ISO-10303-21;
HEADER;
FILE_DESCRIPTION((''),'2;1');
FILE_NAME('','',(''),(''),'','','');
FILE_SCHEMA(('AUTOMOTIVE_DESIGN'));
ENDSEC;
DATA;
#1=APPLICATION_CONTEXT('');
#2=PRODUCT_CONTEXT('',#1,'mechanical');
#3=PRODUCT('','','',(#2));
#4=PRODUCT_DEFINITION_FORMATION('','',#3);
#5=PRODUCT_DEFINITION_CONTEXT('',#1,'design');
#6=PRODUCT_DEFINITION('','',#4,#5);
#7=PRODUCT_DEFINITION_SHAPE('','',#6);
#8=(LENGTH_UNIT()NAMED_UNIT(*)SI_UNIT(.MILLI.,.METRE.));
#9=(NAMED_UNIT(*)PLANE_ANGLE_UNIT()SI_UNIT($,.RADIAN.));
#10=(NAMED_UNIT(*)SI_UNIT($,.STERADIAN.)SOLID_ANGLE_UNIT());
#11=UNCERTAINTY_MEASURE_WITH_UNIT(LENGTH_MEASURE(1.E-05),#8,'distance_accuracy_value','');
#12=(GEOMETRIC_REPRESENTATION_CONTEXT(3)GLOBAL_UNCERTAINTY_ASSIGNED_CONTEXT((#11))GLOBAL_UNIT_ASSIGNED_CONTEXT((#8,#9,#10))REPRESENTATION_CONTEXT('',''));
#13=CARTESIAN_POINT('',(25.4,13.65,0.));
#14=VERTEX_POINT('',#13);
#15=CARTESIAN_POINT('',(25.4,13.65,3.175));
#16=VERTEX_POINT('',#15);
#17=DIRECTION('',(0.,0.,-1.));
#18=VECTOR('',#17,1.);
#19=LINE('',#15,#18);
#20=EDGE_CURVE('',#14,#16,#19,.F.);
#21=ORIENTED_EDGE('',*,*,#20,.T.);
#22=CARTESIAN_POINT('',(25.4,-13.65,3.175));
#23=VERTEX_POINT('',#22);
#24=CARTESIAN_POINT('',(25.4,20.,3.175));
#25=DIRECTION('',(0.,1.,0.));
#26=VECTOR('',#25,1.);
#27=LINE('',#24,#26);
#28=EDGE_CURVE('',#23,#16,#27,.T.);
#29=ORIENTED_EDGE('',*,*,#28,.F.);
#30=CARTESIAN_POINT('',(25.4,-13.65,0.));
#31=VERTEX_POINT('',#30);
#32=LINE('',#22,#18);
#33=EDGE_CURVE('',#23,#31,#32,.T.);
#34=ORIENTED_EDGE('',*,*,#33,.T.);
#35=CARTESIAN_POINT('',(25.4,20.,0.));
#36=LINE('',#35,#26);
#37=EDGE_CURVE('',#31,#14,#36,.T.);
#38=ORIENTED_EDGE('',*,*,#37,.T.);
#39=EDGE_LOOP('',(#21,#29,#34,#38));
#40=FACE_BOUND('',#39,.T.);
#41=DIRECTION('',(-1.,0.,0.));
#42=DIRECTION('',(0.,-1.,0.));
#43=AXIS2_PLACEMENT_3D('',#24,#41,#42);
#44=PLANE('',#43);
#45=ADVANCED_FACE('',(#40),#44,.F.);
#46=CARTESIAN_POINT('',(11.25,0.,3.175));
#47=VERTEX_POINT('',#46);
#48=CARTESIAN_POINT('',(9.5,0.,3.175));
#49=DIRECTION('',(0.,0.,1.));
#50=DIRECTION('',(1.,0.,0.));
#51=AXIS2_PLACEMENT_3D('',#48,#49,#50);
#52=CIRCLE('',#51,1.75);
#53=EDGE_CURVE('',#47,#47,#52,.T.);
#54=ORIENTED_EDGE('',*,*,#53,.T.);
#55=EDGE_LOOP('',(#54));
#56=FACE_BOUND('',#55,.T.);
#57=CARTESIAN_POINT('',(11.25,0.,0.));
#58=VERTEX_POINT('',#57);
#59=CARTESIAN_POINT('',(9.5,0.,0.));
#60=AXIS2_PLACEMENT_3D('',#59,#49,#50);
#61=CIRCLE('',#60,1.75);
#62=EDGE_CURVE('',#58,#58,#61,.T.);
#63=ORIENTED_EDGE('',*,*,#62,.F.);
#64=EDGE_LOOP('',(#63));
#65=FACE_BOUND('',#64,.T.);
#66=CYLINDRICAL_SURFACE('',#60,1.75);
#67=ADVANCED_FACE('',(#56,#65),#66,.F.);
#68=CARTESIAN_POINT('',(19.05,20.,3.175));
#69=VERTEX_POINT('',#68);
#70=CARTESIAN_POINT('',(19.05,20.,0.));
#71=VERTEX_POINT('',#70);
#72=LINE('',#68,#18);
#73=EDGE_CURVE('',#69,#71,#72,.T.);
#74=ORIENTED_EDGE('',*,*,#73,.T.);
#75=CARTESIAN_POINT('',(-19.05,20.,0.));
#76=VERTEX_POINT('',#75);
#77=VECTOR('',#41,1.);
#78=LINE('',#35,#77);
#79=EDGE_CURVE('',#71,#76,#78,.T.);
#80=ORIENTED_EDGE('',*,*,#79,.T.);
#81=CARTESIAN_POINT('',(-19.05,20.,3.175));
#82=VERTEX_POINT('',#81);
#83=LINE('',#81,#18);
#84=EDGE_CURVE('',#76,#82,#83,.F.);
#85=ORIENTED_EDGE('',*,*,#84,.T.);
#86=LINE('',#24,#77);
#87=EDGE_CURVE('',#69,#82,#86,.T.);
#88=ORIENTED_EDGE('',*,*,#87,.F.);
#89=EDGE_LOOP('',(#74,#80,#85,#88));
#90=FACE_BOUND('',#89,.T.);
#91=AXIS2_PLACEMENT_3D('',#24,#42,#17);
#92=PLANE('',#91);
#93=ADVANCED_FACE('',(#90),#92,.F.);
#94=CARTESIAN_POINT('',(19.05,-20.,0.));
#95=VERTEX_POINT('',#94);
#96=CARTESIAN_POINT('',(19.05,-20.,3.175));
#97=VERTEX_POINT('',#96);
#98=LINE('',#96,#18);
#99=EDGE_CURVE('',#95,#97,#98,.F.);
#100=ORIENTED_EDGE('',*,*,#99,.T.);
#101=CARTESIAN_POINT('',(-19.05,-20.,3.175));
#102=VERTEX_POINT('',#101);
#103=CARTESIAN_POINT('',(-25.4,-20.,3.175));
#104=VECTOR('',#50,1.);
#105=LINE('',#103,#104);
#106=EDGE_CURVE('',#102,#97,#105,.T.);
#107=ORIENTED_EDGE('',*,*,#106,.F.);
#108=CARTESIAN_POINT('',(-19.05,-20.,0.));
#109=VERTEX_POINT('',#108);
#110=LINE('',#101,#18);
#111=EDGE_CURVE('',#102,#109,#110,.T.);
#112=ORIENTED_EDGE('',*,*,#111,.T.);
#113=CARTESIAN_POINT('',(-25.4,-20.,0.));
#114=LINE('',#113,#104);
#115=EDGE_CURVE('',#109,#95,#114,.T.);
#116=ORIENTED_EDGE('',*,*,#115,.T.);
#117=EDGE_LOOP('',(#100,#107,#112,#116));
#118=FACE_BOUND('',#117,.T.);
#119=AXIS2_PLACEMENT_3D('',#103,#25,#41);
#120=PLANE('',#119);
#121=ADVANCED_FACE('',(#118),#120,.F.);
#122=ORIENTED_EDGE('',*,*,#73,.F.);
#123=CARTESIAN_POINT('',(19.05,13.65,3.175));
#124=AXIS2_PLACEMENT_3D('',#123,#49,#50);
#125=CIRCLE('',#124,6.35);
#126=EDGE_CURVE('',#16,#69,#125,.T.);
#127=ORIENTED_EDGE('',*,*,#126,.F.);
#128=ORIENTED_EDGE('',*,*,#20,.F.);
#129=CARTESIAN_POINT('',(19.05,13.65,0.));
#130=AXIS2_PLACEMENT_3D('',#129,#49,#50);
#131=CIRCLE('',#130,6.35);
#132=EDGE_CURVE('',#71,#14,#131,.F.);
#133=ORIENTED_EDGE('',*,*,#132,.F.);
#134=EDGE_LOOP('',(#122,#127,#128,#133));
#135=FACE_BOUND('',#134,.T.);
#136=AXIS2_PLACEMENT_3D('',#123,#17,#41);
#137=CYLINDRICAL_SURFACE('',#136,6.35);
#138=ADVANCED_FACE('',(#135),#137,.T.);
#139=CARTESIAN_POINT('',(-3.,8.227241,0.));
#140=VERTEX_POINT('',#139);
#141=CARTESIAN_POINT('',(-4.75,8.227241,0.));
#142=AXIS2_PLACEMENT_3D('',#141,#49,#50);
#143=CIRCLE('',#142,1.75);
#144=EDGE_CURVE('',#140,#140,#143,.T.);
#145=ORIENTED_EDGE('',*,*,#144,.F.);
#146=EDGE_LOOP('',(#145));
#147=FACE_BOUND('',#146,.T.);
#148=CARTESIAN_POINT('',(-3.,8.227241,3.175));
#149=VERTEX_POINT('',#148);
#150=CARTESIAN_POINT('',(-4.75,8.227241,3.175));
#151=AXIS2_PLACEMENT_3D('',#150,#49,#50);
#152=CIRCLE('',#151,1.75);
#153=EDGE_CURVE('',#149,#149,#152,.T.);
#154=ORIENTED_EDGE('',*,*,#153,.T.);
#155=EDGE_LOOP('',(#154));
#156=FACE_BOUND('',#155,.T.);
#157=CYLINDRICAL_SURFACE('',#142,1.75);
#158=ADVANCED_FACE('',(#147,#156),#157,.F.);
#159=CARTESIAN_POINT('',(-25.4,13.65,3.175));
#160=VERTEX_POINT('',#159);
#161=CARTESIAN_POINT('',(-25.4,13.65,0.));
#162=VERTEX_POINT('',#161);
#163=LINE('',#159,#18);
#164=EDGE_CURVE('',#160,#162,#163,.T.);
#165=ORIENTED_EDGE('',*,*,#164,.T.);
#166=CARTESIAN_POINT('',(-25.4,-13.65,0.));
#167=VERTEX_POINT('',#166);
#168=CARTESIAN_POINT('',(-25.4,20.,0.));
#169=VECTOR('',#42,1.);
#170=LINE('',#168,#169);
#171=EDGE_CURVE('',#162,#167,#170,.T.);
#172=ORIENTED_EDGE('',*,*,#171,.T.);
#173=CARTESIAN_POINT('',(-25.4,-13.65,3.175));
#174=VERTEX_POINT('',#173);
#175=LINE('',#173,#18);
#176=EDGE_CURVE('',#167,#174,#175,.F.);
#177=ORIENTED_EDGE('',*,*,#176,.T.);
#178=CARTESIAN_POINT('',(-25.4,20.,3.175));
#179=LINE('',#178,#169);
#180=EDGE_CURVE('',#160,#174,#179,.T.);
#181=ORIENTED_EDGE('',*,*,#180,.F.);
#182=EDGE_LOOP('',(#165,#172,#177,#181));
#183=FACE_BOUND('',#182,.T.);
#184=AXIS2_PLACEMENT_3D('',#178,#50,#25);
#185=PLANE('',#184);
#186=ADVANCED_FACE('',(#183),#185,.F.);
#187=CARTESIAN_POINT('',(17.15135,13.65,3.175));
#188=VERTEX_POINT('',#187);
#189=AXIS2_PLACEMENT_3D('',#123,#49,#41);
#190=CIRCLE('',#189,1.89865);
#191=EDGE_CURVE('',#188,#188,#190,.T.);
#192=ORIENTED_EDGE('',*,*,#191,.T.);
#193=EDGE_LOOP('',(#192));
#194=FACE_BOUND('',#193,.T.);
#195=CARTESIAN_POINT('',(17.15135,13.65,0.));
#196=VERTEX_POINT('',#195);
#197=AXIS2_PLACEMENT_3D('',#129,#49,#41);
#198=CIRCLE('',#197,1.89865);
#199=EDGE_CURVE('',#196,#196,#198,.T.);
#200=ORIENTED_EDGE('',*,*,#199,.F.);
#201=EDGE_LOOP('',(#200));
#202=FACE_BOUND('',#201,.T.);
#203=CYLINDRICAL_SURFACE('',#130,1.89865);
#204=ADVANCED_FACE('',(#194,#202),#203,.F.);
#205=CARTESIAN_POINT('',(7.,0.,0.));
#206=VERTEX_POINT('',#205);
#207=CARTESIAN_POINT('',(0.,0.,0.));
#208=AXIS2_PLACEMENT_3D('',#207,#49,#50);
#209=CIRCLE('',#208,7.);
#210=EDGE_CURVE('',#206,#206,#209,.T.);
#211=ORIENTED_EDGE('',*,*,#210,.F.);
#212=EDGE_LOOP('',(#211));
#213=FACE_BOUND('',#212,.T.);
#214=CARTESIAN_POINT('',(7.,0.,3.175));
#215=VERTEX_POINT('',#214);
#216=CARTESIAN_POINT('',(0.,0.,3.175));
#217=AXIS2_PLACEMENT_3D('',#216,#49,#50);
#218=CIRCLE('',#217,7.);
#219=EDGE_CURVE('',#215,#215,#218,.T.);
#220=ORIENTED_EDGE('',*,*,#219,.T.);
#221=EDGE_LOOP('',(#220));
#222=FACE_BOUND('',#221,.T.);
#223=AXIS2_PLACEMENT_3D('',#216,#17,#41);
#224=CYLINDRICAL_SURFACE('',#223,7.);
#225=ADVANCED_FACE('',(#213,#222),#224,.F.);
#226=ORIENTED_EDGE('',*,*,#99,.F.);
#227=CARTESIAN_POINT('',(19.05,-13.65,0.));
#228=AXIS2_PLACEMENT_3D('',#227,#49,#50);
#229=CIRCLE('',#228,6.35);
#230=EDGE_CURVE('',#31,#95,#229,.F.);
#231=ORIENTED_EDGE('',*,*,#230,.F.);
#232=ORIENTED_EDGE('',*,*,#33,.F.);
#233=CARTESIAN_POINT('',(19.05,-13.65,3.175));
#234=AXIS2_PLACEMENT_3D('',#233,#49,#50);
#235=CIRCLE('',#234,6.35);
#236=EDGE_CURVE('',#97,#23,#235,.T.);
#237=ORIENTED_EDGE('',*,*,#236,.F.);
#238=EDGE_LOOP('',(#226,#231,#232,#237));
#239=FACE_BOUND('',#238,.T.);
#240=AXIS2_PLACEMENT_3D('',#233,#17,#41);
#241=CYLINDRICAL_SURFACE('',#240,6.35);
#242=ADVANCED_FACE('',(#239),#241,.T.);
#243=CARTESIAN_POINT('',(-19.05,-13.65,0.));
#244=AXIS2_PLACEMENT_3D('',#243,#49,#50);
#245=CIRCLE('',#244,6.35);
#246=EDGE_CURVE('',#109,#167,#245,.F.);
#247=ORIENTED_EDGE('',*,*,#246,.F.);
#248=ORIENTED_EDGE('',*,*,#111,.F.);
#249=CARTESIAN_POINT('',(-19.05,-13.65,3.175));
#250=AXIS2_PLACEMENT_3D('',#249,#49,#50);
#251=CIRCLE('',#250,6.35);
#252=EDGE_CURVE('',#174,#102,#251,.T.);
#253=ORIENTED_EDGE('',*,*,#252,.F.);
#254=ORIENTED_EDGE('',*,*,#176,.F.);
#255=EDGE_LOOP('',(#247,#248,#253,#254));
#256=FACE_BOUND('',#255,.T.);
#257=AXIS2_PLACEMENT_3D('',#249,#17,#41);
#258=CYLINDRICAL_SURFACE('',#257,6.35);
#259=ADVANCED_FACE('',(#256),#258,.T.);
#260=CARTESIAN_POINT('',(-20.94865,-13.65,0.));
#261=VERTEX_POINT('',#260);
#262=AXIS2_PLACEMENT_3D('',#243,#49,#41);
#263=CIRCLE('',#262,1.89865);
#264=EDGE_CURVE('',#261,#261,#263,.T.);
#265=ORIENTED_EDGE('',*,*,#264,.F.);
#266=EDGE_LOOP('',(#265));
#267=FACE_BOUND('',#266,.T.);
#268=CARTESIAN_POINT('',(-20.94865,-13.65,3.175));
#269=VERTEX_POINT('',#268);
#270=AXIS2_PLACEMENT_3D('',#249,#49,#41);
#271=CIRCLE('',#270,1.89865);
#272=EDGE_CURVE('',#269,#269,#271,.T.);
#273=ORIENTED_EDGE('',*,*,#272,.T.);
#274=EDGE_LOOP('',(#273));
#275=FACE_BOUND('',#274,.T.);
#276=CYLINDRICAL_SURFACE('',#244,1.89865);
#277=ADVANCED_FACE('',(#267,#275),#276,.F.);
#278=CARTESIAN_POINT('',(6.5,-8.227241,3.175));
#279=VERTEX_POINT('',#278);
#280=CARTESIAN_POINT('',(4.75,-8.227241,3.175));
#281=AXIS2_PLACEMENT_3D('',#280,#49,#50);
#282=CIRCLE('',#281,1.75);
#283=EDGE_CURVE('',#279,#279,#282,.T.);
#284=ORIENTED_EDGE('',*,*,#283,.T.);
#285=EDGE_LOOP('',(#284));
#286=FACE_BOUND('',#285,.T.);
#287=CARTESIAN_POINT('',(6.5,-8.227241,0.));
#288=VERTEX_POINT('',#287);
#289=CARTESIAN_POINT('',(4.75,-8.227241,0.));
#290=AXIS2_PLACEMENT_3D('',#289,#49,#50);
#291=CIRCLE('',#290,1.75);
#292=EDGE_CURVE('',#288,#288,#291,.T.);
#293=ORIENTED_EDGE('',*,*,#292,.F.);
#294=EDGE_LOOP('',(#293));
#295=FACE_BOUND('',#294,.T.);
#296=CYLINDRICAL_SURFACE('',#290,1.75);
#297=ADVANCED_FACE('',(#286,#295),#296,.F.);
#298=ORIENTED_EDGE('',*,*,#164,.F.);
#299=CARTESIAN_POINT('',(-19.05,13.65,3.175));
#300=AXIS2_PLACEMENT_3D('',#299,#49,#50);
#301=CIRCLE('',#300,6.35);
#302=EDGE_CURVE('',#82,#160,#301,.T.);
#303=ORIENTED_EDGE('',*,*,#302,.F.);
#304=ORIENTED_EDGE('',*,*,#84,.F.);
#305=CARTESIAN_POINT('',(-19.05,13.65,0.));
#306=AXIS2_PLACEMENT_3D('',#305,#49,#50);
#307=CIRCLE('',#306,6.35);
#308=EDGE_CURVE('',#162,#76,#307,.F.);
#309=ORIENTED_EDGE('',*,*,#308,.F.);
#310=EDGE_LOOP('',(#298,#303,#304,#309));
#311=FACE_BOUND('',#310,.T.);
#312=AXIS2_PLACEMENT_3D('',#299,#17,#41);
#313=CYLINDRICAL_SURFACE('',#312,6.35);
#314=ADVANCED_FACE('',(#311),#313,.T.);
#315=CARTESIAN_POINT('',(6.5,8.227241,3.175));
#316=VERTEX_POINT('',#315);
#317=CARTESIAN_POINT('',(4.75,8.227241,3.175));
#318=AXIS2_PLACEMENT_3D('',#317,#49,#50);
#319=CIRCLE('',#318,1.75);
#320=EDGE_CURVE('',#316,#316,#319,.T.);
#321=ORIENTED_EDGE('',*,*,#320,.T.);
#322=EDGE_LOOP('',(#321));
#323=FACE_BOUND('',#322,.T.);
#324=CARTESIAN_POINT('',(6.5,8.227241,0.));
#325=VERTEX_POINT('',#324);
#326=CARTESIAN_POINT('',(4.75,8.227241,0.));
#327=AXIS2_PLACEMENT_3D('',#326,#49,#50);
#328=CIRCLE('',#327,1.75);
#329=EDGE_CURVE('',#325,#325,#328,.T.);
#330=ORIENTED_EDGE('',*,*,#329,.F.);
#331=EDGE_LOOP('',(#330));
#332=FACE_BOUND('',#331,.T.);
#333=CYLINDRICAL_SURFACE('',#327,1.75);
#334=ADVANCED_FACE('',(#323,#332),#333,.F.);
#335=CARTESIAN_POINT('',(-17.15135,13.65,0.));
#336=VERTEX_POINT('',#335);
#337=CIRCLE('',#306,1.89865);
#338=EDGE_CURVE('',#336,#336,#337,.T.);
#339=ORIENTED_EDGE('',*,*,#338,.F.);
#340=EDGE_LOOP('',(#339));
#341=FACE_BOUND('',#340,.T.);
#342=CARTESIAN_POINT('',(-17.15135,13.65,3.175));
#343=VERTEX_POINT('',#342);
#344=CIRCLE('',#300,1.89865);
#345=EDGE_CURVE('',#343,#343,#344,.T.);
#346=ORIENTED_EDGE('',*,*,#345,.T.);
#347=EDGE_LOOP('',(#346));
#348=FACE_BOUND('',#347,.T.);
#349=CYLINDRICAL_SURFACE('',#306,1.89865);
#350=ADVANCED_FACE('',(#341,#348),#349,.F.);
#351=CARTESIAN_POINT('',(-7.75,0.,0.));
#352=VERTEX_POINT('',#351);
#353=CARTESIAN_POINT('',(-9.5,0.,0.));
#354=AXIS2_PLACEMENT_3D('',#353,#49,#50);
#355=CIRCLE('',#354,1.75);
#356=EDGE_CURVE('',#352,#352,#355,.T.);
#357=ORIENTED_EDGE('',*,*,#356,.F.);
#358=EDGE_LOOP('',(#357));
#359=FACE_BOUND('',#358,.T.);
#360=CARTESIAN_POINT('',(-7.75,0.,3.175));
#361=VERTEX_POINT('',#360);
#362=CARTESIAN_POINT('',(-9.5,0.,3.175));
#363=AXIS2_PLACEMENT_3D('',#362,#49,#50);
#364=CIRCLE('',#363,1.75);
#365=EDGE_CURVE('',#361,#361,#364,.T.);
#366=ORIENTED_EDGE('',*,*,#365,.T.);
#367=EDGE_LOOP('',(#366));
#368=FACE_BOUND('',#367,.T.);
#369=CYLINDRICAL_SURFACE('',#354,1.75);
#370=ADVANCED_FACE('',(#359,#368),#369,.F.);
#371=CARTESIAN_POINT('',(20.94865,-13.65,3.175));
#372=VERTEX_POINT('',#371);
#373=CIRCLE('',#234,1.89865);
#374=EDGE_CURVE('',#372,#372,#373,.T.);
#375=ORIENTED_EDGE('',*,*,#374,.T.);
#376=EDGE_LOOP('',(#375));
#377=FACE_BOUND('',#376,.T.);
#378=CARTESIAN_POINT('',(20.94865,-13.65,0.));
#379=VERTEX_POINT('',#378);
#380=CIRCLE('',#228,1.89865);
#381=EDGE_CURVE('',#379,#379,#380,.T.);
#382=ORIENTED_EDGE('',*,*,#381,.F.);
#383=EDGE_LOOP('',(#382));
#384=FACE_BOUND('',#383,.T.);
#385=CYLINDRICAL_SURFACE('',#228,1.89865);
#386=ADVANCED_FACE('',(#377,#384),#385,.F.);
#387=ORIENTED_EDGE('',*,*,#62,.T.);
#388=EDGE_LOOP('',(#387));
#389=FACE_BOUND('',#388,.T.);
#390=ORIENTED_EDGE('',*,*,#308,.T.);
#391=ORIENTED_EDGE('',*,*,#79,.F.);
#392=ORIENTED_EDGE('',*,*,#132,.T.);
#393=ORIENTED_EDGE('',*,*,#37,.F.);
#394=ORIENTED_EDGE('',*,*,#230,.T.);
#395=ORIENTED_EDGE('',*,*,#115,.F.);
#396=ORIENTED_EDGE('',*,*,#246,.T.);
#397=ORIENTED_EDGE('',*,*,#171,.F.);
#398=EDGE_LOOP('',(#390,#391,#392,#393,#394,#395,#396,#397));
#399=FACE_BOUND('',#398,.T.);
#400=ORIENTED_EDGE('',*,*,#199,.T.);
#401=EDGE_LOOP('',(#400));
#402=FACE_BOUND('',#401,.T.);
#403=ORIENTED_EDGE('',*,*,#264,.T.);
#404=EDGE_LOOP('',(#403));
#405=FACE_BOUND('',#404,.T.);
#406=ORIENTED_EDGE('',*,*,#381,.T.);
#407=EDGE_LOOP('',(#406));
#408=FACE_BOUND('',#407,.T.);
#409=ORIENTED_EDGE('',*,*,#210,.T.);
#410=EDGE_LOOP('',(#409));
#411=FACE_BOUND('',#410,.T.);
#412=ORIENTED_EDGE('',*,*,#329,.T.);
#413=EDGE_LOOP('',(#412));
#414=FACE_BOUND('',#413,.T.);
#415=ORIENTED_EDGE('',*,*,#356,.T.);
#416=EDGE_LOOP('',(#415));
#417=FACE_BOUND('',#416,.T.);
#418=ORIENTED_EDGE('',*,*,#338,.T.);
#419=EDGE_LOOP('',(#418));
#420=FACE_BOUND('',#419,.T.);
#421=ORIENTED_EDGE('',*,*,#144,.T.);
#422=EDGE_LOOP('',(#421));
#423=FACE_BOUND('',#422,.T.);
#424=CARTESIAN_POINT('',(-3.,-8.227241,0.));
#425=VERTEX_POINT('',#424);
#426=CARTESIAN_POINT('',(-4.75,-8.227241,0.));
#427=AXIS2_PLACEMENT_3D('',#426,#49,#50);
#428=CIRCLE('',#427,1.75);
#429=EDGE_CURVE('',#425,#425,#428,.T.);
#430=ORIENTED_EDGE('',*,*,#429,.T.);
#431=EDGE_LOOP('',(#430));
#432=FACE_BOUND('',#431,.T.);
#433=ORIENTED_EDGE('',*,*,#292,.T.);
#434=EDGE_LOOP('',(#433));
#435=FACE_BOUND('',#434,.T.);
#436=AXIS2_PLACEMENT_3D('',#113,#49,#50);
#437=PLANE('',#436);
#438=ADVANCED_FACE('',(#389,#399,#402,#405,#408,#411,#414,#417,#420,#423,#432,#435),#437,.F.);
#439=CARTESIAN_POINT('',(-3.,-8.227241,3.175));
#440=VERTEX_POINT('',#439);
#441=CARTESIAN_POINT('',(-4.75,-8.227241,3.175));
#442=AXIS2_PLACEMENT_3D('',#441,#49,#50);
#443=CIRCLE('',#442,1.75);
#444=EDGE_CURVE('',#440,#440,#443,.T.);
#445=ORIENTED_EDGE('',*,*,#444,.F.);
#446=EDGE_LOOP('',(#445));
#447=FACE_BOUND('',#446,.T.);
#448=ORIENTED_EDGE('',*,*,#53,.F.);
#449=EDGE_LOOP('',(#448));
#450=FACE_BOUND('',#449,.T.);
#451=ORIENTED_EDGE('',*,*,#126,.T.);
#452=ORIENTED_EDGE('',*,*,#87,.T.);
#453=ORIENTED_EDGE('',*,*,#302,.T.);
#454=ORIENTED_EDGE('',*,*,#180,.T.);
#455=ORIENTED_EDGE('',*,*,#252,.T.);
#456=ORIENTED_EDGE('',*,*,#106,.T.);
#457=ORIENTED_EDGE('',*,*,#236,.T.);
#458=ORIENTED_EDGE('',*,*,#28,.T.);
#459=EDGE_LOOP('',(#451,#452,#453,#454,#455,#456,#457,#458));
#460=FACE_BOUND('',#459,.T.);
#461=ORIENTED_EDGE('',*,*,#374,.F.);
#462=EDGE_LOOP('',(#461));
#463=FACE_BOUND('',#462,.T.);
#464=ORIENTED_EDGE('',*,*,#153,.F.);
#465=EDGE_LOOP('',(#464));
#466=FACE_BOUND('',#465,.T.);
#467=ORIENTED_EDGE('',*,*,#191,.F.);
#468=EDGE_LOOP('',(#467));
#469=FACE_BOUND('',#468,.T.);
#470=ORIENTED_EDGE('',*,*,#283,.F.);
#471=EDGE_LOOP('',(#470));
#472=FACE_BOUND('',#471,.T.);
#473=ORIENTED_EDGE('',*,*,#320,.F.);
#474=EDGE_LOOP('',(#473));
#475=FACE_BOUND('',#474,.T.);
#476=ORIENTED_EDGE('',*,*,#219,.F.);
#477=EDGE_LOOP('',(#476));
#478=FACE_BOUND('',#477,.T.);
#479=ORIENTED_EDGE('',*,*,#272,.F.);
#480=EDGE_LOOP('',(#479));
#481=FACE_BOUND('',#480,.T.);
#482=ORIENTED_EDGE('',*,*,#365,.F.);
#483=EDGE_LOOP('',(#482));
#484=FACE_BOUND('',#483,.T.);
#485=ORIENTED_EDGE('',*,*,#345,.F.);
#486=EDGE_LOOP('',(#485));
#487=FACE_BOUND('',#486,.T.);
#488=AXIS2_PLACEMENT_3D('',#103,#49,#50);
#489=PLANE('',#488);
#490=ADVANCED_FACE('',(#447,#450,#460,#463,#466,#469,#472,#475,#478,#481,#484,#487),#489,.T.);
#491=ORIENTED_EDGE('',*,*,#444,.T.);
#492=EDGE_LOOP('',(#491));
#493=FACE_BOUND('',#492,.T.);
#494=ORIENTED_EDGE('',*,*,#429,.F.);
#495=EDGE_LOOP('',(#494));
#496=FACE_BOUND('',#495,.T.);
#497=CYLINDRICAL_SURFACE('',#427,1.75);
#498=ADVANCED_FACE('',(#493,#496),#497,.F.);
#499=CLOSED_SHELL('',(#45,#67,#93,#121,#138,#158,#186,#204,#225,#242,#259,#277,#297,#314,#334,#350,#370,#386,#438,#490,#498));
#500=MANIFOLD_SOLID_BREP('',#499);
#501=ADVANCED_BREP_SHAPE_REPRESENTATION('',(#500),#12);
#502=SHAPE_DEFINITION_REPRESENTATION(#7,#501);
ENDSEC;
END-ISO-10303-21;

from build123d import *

# Parameters (mm, degrees)
SKETCH1_W           = 50.8
SKETCH1_H           = 40
SKETCH1_R           = 7
BOSS_EXTRUDE1_DEPTH = 3.175
FILLET1_R           = 6.35
SKETCH9_R           = 1.75
M3_THROUGH_DEPTH    = 4.175
SKETCH10_R          = 1.89865
CUT_EXTRUDE2_DEPTH  = 4.175


with BuildPart() as part:
    # Sketch1 → Boss-Extrude1 (new body)
    with BuildSketch(Plane.XY):
        Rectangle(SKETCH1_W, SKETCH1_H)
        Circle(SKETCH1_R, mode=Mode.SUBTRACT)
    extrude(amount=BOSS_EXTRUDE1_DEPTH)

    # Fillet1
    fillet1_edges = [part.edges().sort_by_distance(p)[0] for p in [
        (-25.4, 20, 1.5875),
        (25.4, 20, 1.5875),
        (25.4, -20, 1.5875),
        (-25.4, -20, 1.5875),
    ]]
    fillet(fillet1_edges, radius=FILLET1_R)

    # Sketch9 → M3-through (cut, through all)
    with BuildSketch(Plane.XY.offset(3.175)):
        with Locations((9.5, 0)):
            Circle(SKETCH9_R)
        with Locations((4.75, -8.227241336)):
            Circle(SKETCH9_R)
        with Locations((-4.75, -8.227241336)):
            Circle(SKETCH9_R)
        with Locations((-9.5, 0)):
            Circle(SKETCH9_R)
        with Locations((-4.75, 8.227241336)):
            Circle(SKETCH9_R)
        with Locations((4.75, 8.227241336)):
            Circle(SKETCH9_R)
    extrude(amount=-M3_THROUGH_DEPTH, mode=Mode.SUBTRACT)

    # Sketch10 → Cut-Extrude2 (cut, through all)
    with BuildSketch(Plane.XY.offset(3.175)):
        with Locations((19.05, -13.65)):
            Circle(SKETCH10_R)
        with Locations((19.05, 13.65)):
            Circle(SKETCH10_R)
        with Locations((-19.05, -13.65)):
            Circle(SKETCH10_R)
        with Locations((-19.05, 13.65)):
            Circle(SKETCH10_R)
    extrude(amount=-CUT_EXTRUDE2_DEPTH, mode=Mode.SUBTRACT)


solid = part.part
